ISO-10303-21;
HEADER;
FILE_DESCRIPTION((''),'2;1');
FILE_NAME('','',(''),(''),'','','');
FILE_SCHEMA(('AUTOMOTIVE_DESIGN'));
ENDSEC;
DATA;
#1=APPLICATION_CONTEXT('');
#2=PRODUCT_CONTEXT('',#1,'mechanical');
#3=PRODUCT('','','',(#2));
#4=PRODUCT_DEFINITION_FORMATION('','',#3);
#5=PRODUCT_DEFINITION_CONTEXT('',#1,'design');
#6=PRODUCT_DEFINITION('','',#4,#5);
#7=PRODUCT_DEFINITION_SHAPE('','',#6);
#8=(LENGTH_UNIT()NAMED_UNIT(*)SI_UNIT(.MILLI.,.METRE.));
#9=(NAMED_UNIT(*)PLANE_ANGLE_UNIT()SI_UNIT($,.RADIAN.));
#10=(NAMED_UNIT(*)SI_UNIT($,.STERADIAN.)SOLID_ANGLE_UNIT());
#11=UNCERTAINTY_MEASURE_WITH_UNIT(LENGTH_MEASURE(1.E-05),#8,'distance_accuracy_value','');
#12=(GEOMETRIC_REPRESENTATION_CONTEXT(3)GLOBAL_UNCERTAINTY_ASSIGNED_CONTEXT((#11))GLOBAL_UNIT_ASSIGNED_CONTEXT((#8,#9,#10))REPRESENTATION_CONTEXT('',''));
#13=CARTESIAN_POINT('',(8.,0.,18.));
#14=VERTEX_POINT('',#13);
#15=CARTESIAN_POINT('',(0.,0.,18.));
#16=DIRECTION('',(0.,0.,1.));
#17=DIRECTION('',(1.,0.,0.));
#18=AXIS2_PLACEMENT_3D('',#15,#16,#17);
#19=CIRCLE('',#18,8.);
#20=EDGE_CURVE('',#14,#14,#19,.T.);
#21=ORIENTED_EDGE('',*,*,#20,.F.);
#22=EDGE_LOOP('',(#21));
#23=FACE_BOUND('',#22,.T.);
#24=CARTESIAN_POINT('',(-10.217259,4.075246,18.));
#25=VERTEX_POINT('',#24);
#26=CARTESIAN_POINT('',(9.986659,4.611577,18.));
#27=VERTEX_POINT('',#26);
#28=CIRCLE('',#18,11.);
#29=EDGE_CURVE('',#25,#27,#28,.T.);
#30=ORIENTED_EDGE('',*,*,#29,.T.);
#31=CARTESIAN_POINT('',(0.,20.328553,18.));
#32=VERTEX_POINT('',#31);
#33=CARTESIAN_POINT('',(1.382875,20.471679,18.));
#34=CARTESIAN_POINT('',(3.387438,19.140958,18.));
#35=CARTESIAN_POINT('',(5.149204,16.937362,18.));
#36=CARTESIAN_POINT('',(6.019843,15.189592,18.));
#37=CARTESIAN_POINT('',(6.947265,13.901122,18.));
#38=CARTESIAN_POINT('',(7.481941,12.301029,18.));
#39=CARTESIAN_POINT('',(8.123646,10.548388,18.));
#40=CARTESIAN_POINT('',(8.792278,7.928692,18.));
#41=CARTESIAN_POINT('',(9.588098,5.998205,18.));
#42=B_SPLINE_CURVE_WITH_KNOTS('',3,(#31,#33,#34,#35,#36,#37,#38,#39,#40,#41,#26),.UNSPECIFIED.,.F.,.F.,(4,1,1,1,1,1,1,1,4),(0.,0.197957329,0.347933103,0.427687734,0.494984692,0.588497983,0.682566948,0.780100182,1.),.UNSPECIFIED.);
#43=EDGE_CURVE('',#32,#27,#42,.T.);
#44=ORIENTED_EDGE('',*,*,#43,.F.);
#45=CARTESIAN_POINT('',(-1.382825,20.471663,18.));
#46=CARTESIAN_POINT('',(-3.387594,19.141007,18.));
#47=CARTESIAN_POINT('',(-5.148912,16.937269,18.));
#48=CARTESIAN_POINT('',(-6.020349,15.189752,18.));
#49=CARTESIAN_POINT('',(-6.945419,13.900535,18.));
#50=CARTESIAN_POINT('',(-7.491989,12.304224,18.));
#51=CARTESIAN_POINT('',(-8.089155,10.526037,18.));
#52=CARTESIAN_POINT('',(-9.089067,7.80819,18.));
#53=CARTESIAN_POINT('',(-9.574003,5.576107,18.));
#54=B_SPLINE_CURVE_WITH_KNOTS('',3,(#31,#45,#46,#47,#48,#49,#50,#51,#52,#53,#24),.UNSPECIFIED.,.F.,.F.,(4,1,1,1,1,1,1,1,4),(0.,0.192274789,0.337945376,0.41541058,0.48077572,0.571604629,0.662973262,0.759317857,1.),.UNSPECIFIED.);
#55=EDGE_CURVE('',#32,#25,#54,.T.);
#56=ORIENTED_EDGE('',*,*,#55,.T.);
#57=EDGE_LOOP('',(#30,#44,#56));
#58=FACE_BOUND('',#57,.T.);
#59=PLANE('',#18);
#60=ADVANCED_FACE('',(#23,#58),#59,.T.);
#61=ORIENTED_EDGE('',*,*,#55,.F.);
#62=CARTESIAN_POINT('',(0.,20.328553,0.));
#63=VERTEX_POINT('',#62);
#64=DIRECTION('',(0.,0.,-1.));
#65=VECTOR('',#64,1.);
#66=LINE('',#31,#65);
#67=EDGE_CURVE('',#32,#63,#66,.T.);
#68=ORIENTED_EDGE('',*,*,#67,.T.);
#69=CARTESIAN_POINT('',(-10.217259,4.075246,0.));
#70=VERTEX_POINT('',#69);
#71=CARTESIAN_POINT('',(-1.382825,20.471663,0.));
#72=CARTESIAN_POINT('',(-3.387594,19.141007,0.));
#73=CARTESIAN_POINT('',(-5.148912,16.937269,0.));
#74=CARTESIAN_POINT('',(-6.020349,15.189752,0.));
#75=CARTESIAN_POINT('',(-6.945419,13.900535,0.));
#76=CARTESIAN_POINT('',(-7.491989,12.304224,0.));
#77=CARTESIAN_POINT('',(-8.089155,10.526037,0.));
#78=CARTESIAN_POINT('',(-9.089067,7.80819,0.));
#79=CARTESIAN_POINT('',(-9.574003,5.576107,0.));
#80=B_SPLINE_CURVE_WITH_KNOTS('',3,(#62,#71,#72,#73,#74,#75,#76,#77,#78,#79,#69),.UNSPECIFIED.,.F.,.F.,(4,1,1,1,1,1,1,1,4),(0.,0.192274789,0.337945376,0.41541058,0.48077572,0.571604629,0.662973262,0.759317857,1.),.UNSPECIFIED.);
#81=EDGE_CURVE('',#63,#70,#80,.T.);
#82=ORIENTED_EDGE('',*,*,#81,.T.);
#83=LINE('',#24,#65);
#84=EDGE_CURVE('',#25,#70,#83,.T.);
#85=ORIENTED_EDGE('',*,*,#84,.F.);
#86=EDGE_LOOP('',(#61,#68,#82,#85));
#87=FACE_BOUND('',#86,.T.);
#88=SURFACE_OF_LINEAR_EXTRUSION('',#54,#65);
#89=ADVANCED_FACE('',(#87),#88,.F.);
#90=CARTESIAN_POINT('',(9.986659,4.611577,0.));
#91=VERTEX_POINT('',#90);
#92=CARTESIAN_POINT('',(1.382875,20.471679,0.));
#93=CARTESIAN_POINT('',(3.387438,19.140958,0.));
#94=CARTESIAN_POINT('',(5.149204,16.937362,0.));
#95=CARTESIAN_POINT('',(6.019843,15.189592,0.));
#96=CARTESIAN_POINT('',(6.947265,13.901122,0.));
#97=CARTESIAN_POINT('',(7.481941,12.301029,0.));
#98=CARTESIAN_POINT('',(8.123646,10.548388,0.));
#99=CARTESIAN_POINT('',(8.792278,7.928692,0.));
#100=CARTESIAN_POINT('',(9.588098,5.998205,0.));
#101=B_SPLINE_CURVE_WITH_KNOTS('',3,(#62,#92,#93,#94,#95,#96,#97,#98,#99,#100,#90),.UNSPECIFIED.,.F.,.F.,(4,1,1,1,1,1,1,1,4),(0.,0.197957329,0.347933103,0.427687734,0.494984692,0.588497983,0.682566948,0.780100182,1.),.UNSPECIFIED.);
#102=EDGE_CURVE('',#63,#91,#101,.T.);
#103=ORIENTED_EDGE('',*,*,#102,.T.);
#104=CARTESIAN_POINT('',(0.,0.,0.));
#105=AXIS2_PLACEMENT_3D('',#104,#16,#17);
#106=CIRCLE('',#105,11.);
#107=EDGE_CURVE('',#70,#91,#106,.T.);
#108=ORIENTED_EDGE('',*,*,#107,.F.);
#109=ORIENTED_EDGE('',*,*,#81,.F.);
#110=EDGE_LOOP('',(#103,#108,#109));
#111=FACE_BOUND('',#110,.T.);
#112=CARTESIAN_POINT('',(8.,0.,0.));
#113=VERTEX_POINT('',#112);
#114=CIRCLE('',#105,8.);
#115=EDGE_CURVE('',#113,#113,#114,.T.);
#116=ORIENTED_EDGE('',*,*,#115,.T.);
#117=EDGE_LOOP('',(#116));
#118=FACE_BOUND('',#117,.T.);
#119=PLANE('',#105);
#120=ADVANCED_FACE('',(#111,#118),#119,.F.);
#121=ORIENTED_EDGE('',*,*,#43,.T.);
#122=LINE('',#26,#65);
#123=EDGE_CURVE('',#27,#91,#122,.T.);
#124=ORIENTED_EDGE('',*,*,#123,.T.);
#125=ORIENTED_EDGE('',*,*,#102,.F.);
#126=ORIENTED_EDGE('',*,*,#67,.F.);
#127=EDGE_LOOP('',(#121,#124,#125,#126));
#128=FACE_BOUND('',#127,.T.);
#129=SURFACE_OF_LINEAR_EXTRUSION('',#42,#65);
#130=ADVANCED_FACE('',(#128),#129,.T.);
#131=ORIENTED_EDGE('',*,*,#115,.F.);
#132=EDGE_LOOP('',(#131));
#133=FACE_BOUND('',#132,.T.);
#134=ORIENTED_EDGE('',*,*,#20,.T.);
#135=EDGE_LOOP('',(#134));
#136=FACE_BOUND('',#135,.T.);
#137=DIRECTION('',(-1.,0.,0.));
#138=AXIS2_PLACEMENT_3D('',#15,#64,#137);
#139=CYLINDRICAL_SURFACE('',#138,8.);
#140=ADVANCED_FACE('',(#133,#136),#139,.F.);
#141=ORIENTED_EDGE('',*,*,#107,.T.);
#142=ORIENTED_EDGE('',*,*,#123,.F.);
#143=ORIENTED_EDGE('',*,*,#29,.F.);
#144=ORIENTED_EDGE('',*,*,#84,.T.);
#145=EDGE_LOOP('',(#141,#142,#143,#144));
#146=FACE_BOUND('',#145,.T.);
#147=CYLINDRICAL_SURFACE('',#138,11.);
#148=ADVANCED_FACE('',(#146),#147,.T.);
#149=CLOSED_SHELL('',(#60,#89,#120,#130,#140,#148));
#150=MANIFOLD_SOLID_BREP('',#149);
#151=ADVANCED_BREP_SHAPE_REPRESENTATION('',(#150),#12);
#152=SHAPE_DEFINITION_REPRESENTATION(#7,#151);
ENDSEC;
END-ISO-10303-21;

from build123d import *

# Parameters (mm, degrees)
SKETCH_1_R      = 8
EXTRUDE_1_DEPTH = 18


with BuildPart() as part:
    # Эскиз1 → Бобышка-Вытянуть1 (new body)
    # profile 1 of 2: a face of its own
    with BuildSketch(Plane.XY):
        with BuildLine():
            ThreePointArc((-10.100042175, 4.357653964), (-0.139043679, 10.999121186), (9.986659039, 4.611576872))
            add(Edge.make_bspline(
                [(0, 20.328552603), (1.382874881, 20.471678841), (3.387437685, 19.140957741), (5.149203969, 16.937361824), (6.019843488, 15.189591781), (6.94726478, 13.901122152), (7.481940513, 12.301028666), (8.123645702, 10.548388164), (8.7922779, 7.928692427), (9.588098387, 5.99820489), (9.986659039, 4.611576872)],
                knots=[0, 0, 0, 0, 0.197957329, 0.347933103, 0.427687734, 0.494984692, 0.588497983, 0.682566948, 0.780100182, 1, 1, 1, 1], degree=3))
            add(Edge.make_bspline(
                [(0, 20.328552603), (-1.382825366, 20.471663096), (-3.387593877, 19.141007408), (-5.148912185, 16.937269039), (-6.020348908, 15.189752499), (-6.94541903, 13.900535223), (-7.491989169, 12.304224029), (-8.089155155, 10.526036811), (-9.05396332, 7.903603604), (-9.530122855, 5.775128018), (-10.100042175, 4.357653964)],
                knots=[0, 0, 0, 0, 0.192274789, 0.337945376, 0.41541058, 0.48077572, 0.571604629, 0.662973262, 0.759317857, 0.984960565, 0.984960565, 0.984960565, 0.984960565], degree=3))
        make_face()
    # profile 2 of 2: a face of its own
    with BuildSketch(Plane.XY):
        with BuildLine():
            ThreePointArc((-10.217258553, 4.075245718), (-2.074868178, -10.802542388), (11, 0))
            ThreePointArc((11, 0), (10.74367836, 2.360799714), (9.986659039, 4.611576872))
            ThreePointArc((9.986659039, 4.611576872), (-0.139043679, 10.999121186), (-10.100042175, 4.357653964))
            add(Edge.make_bspline(
                [(-10.100042175, 4.357653964), (-10.138028177, 4.26317713), (-10.177063639, 4.169029578), (-10.217258553, 4.075245718)],
                knots=[0.984960565, 0.984960565, 0.984960565, 0.984960565, 1, 1, 1, 1], degree=3))
        make_face()
        Circle(SKETCH_1_R, mode=Mode.SUBTRACT)
    extrude(amount=EXTRUDE_1_DEPTH)


solid = part.part
